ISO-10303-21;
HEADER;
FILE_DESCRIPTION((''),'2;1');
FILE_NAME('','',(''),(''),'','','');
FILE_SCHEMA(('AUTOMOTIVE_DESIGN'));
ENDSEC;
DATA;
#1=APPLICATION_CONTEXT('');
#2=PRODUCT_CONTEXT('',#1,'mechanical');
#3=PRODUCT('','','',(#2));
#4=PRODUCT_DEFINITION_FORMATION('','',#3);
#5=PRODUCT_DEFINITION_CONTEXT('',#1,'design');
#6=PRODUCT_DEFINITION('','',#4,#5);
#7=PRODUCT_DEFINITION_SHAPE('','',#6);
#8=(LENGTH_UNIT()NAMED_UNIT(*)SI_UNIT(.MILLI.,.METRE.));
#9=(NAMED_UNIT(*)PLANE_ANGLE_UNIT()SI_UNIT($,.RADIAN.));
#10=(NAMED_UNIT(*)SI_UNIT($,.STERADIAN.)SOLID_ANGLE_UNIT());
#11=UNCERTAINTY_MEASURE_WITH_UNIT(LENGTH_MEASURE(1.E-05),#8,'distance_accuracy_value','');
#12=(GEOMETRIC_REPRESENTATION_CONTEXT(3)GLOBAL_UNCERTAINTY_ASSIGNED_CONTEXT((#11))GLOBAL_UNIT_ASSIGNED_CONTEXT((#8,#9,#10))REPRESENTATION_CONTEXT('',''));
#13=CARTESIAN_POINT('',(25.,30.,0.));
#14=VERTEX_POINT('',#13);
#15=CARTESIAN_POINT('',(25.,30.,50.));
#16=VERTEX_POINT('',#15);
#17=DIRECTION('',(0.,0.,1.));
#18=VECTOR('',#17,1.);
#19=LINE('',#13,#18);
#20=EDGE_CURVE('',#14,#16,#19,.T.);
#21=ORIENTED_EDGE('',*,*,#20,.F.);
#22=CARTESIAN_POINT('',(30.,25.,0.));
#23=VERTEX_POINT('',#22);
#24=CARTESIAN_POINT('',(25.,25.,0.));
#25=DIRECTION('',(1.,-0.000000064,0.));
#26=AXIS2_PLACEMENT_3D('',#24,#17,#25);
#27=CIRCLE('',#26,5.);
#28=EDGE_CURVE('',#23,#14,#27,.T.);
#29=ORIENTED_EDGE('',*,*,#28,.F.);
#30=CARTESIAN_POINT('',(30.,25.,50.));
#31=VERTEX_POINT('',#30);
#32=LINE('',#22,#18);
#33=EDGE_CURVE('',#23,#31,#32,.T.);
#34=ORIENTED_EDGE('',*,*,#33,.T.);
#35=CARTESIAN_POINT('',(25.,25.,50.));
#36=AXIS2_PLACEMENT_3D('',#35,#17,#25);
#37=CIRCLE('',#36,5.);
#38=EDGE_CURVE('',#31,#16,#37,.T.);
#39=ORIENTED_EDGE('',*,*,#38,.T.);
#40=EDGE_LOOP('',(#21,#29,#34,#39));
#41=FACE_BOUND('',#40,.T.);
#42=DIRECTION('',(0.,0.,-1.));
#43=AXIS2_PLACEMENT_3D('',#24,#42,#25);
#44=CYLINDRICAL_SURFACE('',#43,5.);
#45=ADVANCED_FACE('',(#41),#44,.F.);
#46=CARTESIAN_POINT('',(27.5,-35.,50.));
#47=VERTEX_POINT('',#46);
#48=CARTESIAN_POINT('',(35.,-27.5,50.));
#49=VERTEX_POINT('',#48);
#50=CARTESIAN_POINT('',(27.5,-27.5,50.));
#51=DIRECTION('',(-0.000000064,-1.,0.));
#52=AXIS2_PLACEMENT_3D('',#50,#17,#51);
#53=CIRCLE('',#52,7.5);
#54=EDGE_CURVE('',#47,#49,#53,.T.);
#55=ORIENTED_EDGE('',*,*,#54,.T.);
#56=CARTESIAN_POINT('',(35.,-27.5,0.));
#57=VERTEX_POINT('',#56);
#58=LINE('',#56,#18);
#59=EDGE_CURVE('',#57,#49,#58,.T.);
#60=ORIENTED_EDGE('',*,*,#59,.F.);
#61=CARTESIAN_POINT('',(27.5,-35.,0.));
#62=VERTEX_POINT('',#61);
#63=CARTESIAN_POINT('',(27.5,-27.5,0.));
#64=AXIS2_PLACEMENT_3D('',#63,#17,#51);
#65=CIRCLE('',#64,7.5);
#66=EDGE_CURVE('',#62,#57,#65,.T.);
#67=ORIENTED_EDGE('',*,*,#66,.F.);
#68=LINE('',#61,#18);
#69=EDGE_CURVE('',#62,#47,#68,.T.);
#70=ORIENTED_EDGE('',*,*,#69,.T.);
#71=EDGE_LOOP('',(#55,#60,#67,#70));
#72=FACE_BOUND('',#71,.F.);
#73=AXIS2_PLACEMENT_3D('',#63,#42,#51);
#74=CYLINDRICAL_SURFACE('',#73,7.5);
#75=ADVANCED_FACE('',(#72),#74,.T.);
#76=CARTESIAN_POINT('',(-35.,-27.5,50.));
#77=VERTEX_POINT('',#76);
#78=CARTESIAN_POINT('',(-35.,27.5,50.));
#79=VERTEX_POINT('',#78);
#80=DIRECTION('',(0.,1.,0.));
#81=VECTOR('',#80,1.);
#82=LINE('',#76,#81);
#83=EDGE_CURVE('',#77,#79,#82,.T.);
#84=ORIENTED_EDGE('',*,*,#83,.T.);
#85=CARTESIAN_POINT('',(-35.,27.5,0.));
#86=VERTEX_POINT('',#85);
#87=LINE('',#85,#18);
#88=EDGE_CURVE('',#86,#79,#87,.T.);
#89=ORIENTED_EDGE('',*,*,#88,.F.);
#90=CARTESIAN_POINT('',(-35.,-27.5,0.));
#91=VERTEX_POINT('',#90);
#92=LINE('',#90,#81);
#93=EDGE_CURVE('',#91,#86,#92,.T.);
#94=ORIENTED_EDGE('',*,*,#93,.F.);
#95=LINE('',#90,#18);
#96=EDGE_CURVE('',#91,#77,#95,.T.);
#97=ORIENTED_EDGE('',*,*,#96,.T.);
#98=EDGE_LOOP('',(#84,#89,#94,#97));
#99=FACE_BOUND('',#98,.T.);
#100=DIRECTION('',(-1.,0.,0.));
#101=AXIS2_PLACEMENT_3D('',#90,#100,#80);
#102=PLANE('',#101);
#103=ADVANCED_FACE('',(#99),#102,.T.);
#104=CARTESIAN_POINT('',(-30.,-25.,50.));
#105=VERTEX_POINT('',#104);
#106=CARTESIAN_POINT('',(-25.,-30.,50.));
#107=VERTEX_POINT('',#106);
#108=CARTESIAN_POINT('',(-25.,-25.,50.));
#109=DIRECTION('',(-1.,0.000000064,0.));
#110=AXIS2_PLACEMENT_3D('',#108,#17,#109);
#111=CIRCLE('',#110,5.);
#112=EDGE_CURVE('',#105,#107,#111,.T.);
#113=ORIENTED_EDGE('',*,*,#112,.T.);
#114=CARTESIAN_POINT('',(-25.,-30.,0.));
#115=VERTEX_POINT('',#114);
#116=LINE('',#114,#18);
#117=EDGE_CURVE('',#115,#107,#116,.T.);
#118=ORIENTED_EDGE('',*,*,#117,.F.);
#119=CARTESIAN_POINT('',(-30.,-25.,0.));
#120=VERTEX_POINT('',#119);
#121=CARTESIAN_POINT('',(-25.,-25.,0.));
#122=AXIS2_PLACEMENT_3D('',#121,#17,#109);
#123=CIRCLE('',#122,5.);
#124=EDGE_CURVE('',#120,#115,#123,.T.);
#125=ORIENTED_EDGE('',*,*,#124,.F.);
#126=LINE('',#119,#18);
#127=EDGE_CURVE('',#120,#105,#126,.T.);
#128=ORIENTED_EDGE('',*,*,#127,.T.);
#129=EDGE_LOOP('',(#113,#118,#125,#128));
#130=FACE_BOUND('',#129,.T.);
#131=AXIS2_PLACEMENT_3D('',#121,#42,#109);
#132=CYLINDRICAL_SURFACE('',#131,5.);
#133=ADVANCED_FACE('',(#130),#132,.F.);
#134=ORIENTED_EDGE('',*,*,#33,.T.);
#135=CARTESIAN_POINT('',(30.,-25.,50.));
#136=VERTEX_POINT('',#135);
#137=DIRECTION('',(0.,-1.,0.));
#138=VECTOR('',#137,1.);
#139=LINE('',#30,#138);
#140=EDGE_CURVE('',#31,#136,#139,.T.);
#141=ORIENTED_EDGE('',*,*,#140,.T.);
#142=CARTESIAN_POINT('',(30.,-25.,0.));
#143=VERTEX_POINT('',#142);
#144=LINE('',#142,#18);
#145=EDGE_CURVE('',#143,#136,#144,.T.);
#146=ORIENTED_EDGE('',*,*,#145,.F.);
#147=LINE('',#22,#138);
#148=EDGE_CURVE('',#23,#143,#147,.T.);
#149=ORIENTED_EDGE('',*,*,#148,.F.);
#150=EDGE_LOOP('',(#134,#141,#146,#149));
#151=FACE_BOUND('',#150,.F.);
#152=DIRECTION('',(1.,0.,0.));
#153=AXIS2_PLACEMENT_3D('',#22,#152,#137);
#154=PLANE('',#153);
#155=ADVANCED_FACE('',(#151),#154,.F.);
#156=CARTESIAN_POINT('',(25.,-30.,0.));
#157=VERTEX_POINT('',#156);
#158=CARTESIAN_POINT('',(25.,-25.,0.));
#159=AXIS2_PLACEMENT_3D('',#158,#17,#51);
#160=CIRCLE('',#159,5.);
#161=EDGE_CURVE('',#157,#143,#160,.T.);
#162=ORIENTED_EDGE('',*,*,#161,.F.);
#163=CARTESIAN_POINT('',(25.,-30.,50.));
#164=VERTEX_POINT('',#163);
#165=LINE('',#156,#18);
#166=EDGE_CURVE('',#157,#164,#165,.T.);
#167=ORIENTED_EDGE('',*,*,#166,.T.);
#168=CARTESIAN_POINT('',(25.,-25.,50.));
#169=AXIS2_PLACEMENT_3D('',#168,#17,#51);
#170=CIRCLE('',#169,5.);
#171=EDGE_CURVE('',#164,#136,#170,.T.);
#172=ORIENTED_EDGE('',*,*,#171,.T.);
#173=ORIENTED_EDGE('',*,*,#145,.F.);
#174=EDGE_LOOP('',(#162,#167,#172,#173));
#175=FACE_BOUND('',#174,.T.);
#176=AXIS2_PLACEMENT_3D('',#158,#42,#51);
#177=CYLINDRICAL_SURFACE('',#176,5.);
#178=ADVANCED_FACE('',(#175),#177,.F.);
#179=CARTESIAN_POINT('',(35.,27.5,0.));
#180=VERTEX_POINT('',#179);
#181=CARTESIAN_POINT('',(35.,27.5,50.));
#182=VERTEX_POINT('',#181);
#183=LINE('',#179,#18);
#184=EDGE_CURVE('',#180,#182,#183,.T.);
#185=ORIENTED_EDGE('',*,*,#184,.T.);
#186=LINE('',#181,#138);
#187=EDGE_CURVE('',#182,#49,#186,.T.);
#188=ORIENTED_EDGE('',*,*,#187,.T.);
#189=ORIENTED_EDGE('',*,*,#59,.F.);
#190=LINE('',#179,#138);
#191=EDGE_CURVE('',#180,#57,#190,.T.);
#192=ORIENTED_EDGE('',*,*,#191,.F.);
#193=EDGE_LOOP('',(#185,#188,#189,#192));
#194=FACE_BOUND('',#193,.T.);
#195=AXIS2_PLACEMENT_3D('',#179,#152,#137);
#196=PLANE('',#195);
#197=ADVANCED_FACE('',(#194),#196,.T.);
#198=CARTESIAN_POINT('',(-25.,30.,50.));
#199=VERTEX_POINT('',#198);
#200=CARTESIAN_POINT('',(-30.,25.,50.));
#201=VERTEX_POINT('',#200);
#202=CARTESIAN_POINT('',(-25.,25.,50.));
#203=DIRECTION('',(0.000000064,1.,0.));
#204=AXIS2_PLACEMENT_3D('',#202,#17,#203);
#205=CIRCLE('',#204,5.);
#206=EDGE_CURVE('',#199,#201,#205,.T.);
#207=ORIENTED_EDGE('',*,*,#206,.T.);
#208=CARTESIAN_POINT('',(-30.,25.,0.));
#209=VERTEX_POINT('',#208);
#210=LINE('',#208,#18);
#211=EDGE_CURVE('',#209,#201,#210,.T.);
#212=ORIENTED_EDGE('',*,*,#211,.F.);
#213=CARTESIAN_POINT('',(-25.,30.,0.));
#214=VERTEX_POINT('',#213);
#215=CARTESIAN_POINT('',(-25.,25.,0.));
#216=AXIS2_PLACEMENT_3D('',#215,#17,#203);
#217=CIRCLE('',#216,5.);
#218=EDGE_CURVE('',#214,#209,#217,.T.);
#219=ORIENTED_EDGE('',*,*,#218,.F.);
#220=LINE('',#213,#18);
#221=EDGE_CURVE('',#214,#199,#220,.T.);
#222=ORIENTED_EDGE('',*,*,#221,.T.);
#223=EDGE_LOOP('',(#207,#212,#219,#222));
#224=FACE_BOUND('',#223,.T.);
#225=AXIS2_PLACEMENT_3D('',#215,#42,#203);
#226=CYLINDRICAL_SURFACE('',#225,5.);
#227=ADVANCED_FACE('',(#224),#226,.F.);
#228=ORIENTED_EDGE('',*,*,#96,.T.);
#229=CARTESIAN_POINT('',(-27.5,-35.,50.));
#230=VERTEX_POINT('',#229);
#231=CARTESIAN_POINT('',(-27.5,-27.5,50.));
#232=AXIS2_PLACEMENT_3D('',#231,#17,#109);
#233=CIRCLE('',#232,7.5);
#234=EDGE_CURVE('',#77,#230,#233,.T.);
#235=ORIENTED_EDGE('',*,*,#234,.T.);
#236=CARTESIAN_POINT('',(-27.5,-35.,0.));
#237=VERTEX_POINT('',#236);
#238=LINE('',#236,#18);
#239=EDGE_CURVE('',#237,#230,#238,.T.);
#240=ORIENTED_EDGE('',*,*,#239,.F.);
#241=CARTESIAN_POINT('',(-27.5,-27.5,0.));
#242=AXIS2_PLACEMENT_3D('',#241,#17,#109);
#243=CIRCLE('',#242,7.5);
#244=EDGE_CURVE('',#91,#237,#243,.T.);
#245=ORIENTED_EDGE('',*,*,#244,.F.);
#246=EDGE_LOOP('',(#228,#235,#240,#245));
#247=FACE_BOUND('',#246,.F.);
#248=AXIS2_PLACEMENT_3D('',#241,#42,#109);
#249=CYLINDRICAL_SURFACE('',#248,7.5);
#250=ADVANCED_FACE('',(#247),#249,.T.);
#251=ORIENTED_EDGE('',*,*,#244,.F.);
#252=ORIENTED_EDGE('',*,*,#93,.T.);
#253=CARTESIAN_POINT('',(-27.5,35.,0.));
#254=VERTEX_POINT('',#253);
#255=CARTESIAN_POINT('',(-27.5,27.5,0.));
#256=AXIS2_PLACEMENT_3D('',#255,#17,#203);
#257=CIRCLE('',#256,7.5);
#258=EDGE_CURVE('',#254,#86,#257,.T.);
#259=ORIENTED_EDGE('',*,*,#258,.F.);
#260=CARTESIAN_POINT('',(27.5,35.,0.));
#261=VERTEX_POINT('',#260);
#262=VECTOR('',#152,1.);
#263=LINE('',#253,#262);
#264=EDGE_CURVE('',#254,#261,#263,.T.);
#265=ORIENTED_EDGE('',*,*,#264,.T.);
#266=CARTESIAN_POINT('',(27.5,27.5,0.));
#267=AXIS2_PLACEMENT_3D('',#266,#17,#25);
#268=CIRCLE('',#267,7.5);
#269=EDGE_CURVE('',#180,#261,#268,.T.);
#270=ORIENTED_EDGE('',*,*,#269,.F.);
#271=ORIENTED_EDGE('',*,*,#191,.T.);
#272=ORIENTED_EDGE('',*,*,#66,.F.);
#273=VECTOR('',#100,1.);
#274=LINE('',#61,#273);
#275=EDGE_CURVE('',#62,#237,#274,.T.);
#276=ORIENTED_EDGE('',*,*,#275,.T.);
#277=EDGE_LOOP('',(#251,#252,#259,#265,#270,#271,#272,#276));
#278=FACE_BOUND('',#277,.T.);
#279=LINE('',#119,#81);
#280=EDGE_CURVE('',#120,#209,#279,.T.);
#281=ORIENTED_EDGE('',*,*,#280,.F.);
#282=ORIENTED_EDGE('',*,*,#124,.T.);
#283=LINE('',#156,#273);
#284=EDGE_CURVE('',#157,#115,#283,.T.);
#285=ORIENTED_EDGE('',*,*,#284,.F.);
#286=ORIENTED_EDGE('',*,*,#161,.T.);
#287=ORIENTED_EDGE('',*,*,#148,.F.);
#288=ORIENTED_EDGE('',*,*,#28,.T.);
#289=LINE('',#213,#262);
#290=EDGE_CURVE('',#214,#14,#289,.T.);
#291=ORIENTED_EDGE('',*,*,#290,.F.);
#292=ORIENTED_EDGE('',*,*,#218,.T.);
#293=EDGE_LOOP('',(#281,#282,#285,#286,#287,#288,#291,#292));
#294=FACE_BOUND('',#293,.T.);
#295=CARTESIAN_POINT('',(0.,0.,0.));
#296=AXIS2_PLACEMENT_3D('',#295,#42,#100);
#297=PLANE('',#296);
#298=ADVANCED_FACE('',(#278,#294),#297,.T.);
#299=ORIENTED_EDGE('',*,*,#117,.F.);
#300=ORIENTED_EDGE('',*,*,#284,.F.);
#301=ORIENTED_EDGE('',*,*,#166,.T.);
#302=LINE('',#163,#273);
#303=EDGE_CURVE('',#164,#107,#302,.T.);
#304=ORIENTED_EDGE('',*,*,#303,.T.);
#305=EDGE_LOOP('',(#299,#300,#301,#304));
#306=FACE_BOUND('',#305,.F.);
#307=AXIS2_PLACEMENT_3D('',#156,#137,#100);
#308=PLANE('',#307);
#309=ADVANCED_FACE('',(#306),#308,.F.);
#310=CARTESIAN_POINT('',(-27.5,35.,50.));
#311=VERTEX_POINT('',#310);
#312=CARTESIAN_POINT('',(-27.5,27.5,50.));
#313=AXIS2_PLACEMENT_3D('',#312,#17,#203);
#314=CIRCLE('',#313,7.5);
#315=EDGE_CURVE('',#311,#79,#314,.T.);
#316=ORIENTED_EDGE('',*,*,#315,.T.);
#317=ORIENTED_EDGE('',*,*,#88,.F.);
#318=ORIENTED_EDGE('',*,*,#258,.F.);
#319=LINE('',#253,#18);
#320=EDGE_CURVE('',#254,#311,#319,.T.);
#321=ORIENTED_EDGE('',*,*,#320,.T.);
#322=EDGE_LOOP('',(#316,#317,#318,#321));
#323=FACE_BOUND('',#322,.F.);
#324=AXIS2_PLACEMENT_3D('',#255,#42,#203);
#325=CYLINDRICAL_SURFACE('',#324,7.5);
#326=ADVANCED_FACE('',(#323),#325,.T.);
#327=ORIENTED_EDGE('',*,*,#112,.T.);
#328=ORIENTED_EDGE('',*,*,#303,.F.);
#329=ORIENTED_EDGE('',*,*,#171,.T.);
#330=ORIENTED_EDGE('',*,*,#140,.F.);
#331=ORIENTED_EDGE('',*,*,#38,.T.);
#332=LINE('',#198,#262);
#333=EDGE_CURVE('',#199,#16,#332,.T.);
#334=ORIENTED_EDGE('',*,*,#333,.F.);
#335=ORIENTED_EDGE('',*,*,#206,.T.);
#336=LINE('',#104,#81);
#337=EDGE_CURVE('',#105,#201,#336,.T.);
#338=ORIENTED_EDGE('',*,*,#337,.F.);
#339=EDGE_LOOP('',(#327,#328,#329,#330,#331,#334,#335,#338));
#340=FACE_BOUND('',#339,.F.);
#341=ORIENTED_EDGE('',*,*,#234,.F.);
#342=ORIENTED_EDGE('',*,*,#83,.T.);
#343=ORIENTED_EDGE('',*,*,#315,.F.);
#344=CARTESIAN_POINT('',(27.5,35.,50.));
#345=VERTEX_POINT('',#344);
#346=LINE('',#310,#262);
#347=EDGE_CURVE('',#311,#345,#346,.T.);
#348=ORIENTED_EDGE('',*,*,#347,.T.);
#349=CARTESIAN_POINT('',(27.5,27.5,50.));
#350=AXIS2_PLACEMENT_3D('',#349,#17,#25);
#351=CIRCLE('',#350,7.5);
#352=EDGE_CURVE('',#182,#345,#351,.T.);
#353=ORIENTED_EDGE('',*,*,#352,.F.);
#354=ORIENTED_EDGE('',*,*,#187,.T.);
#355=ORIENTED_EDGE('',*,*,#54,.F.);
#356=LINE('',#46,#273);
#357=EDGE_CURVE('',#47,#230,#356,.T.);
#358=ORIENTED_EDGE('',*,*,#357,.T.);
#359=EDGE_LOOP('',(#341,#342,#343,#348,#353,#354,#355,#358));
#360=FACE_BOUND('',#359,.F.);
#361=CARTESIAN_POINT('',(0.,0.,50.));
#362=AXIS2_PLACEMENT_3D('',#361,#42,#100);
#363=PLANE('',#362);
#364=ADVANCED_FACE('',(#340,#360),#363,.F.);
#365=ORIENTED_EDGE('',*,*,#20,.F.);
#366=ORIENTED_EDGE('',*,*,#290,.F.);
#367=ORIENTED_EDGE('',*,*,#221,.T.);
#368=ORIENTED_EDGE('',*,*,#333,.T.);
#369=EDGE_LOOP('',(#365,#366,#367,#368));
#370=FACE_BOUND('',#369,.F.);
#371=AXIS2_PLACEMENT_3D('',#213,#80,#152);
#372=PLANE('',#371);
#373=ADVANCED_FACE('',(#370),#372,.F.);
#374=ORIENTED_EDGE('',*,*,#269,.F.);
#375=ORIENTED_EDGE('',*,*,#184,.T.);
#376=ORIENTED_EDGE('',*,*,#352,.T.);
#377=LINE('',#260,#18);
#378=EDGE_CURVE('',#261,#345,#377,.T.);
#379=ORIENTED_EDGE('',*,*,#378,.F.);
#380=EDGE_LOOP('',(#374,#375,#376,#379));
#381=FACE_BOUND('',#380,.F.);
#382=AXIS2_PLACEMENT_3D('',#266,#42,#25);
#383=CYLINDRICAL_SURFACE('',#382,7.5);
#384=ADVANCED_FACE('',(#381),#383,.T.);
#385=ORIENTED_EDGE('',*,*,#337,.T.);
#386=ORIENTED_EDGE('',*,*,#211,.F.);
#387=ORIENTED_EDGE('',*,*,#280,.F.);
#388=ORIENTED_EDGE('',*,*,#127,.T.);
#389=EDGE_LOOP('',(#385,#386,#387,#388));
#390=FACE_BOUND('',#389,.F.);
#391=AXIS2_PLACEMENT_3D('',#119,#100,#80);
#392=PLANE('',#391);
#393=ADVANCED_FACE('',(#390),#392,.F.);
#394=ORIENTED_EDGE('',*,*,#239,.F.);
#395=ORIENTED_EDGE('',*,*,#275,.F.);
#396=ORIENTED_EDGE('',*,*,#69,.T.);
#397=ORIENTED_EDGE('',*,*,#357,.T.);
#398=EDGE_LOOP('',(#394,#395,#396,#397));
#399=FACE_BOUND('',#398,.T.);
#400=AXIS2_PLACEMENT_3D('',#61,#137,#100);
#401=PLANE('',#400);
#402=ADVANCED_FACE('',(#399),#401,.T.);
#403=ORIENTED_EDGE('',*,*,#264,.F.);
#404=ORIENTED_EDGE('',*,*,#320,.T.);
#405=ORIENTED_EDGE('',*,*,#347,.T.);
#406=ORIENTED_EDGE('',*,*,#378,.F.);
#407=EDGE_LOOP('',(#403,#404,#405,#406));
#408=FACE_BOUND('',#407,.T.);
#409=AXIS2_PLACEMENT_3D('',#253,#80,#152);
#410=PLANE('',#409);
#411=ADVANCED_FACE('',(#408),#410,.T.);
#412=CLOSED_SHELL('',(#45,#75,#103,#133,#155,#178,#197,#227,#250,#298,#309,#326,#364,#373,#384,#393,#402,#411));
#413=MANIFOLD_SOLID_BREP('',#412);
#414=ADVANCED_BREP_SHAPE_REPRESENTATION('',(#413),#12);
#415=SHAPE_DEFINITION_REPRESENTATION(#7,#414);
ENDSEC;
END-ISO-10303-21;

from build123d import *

# Parameters (mm, degrees)
EXTRUDE_DEPTH = 50


with BuildPart() as part:
    # Sketch → Extrude (new body)
    with BuildSketch(Plane.XY):
        with BuildLine():
            Line((-27.5, 35), (27.5, 35))
            ThreePointArc((35, 27.5), (32.803301, 32.803301), (27.5, 35))
            Line((35, 27.5), (35, -27.5))
            ThreePointArc((27.5, -35), (32.803301, -32.803301), (35, -27.5))
            Line((27.5, -35), (-27.5, -35))
            ThreePointArc((-35, -27.5), (-32.803301, -32.803301), (-27.5, -35))
            Line((-35, -27.5), (-35, 27.5))
            ThreePointArc((-27.5, 35), (-32.803301, 32.803301), (-35, 27.5))
        make_face()
        with BuildLine():
            Line((-25, 30), (25, 30))
            ThreePointArc((30, 25), (28.535534, 28.535534), (25, 30))
            Line((30, 25), (30, -25))
            ThreePointArc((25, -30), (28.535534, -28.535534), (30, -25))
            Line((25, -30), (-25, -30))
            ThreePointArc((-30, -25), (-28.535534, -28.535534), (-25, -30))
            Line((-30, -25), (-30, 25))
            ThreePointArc((-25, 30), (-28.535534, 28.535534), (-30, 25))
        make_face(mode=Mode.SUBTRACT)
    extrude(amount=EXTRUDE_DEPTH)


solid = part.part
